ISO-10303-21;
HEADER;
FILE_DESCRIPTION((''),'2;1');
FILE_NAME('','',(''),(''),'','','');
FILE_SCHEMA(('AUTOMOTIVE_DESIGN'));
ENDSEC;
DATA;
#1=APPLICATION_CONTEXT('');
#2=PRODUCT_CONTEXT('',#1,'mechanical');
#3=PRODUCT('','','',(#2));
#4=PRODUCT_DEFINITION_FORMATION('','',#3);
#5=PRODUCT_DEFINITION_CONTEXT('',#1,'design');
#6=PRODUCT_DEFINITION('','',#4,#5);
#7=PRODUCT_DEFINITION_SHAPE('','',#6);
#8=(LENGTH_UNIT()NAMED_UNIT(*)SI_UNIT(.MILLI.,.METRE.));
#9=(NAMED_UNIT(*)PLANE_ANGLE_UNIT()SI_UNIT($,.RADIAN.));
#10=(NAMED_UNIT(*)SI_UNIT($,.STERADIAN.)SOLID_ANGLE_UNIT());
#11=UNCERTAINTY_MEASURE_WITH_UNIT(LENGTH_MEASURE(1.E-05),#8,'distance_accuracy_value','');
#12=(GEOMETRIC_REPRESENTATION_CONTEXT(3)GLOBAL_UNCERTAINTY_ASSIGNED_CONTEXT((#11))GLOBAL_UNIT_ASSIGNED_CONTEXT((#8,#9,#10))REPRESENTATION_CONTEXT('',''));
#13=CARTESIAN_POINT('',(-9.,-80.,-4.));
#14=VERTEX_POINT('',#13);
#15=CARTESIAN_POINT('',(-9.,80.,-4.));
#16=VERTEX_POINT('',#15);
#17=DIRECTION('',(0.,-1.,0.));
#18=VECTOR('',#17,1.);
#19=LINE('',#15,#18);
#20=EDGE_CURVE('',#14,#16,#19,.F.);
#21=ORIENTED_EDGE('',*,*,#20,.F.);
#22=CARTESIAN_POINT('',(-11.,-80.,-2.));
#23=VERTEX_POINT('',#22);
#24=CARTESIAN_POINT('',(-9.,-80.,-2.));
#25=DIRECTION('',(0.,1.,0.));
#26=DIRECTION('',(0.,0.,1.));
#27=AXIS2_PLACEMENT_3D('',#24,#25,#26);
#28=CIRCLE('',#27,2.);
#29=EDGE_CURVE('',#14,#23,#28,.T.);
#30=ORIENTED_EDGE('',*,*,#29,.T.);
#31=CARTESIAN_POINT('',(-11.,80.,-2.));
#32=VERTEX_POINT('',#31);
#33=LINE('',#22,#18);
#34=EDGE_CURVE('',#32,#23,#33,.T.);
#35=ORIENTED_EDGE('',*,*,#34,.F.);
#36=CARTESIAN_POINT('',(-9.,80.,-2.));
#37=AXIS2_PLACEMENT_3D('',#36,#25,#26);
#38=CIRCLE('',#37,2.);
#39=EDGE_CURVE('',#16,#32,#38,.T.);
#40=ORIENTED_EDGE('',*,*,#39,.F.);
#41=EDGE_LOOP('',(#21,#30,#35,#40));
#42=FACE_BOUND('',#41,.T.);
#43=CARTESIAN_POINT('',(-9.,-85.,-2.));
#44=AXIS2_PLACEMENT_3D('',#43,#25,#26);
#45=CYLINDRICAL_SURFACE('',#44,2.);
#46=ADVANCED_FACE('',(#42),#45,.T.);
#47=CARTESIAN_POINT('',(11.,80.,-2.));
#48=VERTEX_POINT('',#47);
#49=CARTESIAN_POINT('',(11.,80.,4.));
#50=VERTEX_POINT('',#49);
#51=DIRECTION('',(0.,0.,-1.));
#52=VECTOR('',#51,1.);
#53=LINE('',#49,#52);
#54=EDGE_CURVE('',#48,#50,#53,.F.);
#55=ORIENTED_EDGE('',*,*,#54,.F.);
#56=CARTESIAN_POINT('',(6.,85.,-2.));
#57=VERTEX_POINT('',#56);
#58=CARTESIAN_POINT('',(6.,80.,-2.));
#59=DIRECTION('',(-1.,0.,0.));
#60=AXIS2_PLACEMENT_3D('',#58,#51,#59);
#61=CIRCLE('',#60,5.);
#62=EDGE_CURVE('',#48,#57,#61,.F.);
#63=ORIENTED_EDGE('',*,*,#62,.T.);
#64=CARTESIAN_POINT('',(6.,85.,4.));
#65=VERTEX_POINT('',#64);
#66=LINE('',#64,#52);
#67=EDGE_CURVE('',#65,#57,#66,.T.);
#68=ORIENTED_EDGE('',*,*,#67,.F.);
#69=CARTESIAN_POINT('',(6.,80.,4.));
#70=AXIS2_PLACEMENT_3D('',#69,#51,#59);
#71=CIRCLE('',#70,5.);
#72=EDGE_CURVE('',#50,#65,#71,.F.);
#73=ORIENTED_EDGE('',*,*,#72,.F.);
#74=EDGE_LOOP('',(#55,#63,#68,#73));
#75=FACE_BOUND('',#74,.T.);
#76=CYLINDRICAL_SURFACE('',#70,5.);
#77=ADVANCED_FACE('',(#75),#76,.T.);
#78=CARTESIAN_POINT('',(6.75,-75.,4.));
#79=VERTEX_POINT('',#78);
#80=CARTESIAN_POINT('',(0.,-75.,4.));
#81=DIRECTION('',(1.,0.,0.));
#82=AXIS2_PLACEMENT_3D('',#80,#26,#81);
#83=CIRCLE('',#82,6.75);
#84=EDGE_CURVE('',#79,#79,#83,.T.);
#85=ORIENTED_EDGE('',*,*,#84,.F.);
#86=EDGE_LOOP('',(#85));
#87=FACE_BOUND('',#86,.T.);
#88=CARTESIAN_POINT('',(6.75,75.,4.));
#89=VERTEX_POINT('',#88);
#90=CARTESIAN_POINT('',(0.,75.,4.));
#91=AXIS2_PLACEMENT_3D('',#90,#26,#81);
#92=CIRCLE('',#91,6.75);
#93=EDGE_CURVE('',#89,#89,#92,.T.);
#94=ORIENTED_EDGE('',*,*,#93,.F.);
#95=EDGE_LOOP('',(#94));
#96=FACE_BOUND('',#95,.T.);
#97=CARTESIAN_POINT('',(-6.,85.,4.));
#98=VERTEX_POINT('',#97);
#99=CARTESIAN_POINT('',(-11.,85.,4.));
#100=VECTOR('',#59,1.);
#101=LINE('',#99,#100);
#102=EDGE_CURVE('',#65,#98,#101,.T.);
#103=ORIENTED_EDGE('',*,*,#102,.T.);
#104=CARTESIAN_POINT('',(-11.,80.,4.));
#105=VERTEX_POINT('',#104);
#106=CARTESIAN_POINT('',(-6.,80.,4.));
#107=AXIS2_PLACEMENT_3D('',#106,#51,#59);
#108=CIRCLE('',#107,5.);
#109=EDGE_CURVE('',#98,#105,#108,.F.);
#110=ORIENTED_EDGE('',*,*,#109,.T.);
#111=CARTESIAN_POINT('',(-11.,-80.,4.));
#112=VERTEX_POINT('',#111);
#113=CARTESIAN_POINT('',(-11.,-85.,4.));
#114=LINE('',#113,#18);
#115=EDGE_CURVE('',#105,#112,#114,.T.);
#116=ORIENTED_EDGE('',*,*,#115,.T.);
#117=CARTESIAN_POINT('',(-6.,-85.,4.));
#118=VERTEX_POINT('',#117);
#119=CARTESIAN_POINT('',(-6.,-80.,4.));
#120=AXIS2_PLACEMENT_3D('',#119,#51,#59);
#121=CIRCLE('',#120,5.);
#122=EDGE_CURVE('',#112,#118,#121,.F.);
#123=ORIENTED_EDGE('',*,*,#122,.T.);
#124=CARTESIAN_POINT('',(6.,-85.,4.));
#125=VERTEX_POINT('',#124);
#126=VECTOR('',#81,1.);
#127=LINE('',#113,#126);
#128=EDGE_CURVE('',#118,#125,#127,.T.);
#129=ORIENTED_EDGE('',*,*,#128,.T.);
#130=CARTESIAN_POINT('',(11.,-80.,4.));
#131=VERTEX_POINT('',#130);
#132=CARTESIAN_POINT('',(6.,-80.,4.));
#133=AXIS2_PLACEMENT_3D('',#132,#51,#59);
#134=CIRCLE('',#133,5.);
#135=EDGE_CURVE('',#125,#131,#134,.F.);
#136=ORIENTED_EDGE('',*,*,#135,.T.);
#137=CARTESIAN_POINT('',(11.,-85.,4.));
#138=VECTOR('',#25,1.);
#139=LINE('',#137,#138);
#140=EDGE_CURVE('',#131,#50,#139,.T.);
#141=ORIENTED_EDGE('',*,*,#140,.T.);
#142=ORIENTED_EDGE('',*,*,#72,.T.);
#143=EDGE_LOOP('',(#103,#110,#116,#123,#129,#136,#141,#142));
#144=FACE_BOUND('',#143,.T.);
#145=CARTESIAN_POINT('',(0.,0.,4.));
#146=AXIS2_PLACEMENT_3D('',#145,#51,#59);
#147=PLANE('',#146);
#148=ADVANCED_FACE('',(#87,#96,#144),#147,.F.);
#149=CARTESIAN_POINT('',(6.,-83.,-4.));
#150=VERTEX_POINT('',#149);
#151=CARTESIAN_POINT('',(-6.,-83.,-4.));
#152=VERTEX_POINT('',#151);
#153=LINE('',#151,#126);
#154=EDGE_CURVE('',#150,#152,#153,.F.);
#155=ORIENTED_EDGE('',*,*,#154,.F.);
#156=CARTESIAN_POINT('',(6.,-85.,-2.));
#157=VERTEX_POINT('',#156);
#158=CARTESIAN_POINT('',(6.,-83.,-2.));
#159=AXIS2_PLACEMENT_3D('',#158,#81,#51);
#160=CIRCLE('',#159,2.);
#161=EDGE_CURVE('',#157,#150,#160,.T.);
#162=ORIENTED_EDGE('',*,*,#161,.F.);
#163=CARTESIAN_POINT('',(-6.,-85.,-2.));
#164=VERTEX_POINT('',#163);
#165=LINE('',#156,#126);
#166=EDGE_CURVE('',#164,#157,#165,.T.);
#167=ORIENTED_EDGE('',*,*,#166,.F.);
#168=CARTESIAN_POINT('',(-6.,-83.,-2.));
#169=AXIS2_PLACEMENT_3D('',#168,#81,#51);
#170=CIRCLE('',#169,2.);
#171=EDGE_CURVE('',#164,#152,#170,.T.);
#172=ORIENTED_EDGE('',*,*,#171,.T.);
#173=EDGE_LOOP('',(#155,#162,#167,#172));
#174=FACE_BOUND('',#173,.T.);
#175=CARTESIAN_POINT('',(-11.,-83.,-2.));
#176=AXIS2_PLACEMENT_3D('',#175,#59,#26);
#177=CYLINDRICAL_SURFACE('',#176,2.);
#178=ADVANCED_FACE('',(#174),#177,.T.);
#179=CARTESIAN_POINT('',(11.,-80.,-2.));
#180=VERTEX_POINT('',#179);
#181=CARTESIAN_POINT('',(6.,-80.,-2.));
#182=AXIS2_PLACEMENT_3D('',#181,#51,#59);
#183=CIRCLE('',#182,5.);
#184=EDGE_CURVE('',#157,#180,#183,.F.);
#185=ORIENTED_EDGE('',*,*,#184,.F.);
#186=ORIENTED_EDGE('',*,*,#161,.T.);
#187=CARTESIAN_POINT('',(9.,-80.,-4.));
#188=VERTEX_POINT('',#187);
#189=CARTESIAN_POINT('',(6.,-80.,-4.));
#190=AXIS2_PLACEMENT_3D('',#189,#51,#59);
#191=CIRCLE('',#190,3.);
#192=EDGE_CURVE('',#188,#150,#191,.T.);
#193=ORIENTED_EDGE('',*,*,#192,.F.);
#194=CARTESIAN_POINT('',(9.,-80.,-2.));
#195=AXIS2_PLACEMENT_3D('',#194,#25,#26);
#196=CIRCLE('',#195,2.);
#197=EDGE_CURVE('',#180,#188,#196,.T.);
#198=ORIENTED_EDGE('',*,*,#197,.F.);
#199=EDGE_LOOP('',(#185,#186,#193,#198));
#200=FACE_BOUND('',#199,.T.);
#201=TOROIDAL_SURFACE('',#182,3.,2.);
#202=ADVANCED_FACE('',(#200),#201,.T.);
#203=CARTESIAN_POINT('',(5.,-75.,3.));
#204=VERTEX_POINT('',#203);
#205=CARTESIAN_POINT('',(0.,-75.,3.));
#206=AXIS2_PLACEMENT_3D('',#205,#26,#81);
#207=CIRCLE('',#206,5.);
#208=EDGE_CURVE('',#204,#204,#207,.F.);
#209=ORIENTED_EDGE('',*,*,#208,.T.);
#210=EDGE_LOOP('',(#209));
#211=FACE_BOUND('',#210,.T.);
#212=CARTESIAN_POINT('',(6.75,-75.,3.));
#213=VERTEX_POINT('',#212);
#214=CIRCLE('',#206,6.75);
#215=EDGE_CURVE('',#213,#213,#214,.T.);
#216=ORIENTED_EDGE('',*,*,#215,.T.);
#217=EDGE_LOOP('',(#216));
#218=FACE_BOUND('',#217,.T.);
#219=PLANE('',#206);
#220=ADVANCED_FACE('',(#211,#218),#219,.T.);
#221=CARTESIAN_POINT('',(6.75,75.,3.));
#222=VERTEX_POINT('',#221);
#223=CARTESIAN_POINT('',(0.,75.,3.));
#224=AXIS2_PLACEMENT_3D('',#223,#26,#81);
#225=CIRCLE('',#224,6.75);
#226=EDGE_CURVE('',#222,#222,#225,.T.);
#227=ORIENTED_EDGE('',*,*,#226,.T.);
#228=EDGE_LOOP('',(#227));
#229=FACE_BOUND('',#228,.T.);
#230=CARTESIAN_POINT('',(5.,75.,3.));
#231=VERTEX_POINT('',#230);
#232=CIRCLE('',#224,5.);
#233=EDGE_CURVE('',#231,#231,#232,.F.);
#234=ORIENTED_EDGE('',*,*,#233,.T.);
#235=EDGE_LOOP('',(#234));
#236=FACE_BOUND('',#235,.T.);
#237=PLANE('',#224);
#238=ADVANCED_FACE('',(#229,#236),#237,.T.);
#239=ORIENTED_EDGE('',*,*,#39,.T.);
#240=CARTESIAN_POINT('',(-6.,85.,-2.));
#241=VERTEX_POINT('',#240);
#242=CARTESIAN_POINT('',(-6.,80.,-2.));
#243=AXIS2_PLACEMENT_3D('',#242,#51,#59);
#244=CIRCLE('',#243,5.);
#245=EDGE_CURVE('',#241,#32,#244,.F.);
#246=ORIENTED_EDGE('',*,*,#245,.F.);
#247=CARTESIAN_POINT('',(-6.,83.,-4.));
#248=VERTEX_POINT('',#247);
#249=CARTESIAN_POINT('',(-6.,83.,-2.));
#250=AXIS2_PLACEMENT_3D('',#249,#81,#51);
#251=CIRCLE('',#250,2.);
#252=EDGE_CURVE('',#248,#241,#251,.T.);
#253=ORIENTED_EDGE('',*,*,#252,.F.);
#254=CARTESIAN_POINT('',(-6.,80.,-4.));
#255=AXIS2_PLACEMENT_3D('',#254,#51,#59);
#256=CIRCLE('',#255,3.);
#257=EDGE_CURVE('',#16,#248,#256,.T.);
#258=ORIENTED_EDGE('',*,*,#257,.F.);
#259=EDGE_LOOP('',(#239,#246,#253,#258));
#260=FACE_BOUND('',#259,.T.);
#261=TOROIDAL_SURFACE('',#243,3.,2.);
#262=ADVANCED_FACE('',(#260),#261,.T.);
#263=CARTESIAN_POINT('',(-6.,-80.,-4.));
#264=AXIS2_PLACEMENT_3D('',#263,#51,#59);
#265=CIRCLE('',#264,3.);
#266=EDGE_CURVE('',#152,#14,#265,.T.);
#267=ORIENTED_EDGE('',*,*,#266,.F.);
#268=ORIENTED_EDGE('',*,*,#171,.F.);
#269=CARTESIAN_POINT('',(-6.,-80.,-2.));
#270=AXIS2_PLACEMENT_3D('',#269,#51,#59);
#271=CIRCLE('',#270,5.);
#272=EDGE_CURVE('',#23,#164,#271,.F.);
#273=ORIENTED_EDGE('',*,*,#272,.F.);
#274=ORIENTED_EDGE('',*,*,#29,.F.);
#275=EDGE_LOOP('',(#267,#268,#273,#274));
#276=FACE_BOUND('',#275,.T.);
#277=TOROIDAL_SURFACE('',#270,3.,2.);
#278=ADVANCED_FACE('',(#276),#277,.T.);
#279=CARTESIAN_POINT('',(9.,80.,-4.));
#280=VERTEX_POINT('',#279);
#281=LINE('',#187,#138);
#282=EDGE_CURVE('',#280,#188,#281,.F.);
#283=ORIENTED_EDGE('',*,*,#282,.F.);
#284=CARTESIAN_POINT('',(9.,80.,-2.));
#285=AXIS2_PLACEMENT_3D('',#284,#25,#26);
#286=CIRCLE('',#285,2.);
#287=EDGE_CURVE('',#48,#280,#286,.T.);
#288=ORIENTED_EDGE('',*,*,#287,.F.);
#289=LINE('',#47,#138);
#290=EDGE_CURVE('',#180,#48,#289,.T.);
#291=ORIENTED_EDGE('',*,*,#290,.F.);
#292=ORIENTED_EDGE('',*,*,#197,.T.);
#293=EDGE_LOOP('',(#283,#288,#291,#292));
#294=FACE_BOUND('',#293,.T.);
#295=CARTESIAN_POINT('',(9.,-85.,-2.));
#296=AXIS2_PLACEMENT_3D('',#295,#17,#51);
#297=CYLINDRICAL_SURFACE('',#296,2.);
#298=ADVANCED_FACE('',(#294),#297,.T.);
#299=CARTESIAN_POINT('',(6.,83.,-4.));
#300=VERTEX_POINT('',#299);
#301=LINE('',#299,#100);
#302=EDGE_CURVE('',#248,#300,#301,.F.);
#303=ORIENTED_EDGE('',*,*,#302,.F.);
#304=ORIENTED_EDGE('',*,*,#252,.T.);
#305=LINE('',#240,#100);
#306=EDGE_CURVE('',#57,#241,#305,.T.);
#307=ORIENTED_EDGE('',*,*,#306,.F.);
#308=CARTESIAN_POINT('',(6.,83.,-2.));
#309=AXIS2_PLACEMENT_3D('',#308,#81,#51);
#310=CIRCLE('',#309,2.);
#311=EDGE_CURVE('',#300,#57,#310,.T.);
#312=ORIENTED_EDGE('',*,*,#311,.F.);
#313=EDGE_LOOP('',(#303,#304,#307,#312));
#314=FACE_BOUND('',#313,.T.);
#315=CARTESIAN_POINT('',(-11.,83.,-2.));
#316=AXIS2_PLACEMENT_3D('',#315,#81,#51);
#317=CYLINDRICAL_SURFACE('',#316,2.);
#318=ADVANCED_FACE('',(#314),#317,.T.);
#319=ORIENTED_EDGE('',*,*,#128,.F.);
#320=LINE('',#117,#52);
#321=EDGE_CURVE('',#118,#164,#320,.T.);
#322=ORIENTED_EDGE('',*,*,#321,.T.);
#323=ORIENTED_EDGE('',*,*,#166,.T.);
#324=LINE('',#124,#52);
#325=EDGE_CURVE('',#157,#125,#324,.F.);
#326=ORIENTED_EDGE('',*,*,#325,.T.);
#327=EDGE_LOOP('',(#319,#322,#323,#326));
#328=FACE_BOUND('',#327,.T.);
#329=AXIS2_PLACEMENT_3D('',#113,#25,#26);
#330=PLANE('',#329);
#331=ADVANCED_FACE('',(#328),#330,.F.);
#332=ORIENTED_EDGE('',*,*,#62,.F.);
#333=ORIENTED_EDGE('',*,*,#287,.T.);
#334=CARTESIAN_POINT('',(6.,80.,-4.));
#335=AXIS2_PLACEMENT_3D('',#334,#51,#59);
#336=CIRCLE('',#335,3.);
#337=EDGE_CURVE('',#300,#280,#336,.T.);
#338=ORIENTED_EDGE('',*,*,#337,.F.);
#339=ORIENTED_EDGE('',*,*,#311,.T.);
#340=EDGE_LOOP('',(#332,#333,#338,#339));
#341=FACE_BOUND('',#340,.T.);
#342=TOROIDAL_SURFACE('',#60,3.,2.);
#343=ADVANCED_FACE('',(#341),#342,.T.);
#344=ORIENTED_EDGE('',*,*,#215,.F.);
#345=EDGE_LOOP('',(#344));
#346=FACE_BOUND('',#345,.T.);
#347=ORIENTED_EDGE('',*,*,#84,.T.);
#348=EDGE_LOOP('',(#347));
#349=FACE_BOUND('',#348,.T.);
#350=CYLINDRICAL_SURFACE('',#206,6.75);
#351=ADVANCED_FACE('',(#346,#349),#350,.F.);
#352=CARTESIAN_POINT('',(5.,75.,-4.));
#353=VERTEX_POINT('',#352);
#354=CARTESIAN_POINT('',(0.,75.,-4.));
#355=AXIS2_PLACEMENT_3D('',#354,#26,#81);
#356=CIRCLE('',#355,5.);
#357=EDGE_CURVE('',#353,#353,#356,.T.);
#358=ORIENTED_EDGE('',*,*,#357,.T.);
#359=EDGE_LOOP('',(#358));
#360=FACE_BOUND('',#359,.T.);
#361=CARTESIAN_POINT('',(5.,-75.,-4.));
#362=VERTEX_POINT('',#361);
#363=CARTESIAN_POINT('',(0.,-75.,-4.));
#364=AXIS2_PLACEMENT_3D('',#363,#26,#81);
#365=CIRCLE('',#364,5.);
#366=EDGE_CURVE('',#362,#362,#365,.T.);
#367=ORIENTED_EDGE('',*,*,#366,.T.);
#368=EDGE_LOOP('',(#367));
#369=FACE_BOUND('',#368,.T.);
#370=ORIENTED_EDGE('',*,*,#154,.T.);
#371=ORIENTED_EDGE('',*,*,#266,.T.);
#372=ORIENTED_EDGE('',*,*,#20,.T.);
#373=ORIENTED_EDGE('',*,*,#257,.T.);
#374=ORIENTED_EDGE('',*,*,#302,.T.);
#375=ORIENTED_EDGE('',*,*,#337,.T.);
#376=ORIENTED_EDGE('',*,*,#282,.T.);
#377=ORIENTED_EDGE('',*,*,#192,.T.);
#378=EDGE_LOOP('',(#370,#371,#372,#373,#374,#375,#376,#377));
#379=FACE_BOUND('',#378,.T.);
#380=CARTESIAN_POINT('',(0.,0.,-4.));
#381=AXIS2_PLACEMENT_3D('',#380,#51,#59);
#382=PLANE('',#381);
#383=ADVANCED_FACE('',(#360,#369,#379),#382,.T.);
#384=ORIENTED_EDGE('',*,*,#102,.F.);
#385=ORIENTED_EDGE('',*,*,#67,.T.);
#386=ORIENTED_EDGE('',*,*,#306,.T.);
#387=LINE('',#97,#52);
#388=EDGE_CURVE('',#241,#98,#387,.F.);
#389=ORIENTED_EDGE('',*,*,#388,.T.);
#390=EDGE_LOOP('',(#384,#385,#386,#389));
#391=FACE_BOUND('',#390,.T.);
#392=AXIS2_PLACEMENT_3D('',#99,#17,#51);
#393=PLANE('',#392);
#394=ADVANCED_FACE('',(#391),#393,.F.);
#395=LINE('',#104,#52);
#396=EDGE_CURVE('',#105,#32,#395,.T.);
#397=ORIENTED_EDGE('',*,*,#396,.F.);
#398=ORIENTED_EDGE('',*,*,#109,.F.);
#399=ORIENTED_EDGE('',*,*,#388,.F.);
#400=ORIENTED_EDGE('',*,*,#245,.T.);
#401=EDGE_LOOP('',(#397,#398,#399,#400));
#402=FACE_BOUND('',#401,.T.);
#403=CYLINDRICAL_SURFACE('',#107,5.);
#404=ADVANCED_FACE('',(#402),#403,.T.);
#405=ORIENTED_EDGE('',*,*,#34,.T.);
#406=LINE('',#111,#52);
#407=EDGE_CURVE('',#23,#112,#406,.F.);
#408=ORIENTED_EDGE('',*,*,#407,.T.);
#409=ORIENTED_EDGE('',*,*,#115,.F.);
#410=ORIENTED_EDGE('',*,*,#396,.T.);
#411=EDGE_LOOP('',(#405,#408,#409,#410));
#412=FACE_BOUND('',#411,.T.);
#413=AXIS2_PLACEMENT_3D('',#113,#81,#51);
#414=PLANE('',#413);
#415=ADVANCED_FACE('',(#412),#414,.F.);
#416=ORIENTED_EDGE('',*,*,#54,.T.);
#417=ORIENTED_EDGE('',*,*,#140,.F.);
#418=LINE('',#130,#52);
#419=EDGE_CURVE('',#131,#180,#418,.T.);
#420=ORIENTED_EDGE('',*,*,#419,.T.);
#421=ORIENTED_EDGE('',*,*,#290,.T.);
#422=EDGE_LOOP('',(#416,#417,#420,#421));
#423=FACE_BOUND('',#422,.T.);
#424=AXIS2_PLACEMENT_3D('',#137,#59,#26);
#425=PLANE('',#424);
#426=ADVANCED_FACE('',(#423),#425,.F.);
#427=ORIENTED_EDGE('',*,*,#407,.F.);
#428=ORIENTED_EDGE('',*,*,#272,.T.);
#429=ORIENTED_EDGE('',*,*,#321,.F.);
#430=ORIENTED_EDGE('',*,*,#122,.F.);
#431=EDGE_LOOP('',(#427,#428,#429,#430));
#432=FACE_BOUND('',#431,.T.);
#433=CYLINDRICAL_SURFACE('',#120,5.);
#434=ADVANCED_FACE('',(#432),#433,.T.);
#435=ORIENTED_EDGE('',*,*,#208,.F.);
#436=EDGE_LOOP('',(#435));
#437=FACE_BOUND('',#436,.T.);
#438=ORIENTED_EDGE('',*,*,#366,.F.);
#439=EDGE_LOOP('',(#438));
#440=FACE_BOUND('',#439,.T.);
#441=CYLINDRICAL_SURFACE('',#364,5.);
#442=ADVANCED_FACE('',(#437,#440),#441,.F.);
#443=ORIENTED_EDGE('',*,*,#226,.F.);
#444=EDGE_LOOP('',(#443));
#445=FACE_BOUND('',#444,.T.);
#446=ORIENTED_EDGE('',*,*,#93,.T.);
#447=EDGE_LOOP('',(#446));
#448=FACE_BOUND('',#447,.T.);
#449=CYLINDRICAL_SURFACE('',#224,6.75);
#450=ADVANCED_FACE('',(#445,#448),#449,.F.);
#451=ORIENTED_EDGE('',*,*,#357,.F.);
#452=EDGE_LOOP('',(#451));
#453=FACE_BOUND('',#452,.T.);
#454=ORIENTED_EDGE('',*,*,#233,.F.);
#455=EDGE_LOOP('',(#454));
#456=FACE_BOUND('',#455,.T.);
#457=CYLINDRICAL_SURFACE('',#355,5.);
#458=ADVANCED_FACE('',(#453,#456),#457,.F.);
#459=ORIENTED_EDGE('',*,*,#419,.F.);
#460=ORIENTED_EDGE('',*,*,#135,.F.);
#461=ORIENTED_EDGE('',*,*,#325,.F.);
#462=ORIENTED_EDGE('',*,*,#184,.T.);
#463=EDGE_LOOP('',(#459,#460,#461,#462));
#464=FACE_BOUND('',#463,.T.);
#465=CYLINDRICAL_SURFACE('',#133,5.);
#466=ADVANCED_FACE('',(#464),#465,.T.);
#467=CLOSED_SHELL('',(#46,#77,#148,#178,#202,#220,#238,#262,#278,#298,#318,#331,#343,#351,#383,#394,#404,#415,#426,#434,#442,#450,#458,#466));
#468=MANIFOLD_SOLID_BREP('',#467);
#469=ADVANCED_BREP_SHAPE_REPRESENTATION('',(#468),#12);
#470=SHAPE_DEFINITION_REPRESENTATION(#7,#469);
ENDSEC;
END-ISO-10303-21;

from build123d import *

# Parameters (mm, degrees)
SKETCH1_W           = 22
SKETCH1_H           = 170
BOSS_EXTRUDE1_DEPTH = 4
FILLET1_R           = 5
FILLET2_R           = 2
SKETCH2_R           = 5
CUT_EXTRUDE1_DEPTH  = 87.081356867
SKETCH3_R           = 6.75
CUT_EXTRUDE2_DEPTH  = 1


with BuildPart() as part:
    # Sketch1 → Boss-Extrude1 (new, symmetric)
    with BuildSketch(Plane.XY):
        Rectangle(SKETCH1_W, SKETCH1_H)
    extrude(amount=BOSS_EXTRUDE1_DEPTH, both=True)

    # Fillet1
    fillet1_edges = [part.edges().sort_by_distance(p)[0] for p in [
        (11, -85, 0),
        (-11, -85, 0),
        (-11, 85, 0),
        (11, 85, 0),
    ]]
    fillet(fillet1_edges, radius=FILLET1_R)

    # Fillet2
    fillet2_edges = [part.edges().sort_by_distance(p)[0] for p in [
        (11, 0, -4),
        (0, -85, -4),
        (-11, 0, -4),
        (0, 85, -4),
        (9.535533906, 83.535533906, -4),
        (-9.535533906, 83.535533906, -4),
        (-9.535533906, -83.535533906, -4),
        (9.535533906, -83.535533906, -4),
    ]]
    fillet(fillet2_edges, radius=FILLET2_R)

    # Sketch2 → Cut-Extrude1 (cut, through all)
    with BuildSketch(Plane.XY.offset(4)):
        with Locations((0, 75)):
            Circle(SKETCH2_R)
        with Locations((0, -75)):
            Circle(SKETCH2_R)
    extrude(amount=-CUT_EXTRUDE1_DEPTH, mode=Mode.SUBTRACT)

    # Sketch3 → Cut-Extrude2 (cut)
    with BuildSketch(Plane.XY.offset(4)):
        with Locations((0, 75)):
            Circle(SKETCH3_R)
        with Locations((0, -75)):
            Circle(SKETCH3_R)
    extrude(amount=-CUT_EXTRUDE2_DEPTH, mode=Mode.SUBTRACT)


solid = part.part
